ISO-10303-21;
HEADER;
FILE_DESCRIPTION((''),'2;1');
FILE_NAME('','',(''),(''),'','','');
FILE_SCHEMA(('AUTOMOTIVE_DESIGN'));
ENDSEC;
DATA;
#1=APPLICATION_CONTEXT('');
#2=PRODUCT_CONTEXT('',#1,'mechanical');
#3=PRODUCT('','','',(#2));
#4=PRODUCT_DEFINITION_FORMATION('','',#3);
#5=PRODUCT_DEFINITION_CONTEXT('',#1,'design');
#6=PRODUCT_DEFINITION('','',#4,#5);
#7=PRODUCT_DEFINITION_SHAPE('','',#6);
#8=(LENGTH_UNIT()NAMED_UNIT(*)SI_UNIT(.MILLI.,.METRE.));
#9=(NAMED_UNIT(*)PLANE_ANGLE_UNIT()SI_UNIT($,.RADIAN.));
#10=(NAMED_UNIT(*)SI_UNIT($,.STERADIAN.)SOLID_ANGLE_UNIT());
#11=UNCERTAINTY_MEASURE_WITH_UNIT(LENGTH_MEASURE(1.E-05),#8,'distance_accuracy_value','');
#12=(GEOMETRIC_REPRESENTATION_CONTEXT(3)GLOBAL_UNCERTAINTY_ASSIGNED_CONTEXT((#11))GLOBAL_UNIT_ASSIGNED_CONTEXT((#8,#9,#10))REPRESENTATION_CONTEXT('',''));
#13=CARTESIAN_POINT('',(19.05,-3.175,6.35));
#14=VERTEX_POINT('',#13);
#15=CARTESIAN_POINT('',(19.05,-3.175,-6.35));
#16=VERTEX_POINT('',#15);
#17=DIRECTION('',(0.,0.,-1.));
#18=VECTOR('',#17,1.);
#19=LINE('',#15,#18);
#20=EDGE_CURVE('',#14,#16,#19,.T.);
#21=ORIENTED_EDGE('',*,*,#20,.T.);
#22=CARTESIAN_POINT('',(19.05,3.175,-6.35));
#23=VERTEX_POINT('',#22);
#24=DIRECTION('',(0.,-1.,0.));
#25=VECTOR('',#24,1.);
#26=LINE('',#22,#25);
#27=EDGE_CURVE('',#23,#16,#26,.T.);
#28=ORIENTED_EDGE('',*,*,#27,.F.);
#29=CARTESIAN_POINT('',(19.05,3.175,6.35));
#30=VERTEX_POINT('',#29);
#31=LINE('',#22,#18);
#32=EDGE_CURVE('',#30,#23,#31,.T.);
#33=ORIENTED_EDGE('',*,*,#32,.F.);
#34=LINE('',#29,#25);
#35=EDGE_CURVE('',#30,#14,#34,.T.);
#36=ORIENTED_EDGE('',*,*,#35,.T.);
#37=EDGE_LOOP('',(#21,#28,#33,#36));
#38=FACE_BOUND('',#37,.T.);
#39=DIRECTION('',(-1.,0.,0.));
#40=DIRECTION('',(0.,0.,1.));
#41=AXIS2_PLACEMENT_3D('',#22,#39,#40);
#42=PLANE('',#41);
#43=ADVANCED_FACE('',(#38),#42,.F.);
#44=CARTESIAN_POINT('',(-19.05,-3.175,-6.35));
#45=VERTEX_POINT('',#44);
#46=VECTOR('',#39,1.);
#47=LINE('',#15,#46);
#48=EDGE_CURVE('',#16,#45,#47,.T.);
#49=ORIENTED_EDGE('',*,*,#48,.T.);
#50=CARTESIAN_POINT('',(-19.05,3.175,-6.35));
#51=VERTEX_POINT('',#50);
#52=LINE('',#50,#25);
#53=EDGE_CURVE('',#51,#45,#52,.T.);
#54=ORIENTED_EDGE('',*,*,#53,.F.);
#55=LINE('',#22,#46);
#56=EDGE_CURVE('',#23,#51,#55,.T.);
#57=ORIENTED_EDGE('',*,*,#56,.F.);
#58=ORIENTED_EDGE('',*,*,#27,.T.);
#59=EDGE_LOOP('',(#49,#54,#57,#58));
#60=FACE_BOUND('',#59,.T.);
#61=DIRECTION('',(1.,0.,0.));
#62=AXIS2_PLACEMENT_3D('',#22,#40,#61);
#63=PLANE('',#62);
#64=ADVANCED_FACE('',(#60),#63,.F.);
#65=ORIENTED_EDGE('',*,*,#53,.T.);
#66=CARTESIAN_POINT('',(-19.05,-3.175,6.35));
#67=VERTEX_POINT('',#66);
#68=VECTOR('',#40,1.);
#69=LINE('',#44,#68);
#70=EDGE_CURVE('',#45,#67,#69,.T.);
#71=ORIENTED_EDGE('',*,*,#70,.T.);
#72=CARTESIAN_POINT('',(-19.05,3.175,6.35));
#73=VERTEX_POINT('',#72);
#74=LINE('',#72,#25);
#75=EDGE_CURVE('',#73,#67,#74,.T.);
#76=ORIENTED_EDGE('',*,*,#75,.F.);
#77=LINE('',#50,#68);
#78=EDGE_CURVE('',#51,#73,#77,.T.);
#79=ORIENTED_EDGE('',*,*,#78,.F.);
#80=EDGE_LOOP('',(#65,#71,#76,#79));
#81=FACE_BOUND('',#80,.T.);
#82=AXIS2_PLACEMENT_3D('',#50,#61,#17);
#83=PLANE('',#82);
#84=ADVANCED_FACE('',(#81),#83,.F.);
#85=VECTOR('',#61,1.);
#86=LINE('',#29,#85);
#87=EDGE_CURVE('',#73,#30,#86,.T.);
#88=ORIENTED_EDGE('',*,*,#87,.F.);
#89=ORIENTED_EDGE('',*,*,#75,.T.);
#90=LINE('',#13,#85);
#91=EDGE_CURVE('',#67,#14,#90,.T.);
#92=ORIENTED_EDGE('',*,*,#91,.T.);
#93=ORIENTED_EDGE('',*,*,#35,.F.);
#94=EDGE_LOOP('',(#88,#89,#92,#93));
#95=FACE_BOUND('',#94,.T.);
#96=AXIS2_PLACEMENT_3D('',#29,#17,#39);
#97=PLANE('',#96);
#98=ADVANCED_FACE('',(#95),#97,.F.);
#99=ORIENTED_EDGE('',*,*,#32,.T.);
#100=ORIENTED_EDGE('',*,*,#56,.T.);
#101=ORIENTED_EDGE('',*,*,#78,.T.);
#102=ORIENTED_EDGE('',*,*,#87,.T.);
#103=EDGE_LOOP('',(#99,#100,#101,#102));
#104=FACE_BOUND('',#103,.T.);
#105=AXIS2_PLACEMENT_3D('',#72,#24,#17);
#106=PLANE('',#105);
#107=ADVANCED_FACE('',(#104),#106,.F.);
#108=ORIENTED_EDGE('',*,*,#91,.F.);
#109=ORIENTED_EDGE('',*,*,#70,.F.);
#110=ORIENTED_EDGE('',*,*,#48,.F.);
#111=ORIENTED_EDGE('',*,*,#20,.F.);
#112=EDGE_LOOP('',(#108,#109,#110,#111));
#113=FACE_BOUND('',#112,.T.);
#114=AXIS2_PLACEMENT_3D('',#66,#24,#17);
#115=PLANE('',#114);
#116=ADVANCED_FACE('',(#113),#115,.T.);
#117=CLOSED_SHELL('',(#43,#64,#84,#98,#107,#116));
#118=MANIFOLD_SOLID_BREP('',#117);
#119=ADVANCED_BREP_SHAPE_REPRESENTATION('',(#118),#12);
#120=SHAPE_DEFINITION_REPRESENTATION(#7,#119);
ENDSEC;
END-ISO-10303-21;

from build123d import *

# Parameters (mm, degrees)
SKETCH1_W           = 38.1
SKETCH1_H           = 12.7
BOSS_EXTRUDE1_DEPTH = 3.175


with BuildPart() as part:
    # Sketch1 → Boss-Extrude1 (new body, symmetric)
    with BuildSketch(Plane(origin=(0, 0, 0), x_dir=(1, 0, 0), z_dir=(0, 1, 0))):
        Rectangle(SKETCH1_W, SKETCH1_H)
    extrude(amount=BOSS_EXTRUDE1_DEPTH, both=True)


solid = part.part
